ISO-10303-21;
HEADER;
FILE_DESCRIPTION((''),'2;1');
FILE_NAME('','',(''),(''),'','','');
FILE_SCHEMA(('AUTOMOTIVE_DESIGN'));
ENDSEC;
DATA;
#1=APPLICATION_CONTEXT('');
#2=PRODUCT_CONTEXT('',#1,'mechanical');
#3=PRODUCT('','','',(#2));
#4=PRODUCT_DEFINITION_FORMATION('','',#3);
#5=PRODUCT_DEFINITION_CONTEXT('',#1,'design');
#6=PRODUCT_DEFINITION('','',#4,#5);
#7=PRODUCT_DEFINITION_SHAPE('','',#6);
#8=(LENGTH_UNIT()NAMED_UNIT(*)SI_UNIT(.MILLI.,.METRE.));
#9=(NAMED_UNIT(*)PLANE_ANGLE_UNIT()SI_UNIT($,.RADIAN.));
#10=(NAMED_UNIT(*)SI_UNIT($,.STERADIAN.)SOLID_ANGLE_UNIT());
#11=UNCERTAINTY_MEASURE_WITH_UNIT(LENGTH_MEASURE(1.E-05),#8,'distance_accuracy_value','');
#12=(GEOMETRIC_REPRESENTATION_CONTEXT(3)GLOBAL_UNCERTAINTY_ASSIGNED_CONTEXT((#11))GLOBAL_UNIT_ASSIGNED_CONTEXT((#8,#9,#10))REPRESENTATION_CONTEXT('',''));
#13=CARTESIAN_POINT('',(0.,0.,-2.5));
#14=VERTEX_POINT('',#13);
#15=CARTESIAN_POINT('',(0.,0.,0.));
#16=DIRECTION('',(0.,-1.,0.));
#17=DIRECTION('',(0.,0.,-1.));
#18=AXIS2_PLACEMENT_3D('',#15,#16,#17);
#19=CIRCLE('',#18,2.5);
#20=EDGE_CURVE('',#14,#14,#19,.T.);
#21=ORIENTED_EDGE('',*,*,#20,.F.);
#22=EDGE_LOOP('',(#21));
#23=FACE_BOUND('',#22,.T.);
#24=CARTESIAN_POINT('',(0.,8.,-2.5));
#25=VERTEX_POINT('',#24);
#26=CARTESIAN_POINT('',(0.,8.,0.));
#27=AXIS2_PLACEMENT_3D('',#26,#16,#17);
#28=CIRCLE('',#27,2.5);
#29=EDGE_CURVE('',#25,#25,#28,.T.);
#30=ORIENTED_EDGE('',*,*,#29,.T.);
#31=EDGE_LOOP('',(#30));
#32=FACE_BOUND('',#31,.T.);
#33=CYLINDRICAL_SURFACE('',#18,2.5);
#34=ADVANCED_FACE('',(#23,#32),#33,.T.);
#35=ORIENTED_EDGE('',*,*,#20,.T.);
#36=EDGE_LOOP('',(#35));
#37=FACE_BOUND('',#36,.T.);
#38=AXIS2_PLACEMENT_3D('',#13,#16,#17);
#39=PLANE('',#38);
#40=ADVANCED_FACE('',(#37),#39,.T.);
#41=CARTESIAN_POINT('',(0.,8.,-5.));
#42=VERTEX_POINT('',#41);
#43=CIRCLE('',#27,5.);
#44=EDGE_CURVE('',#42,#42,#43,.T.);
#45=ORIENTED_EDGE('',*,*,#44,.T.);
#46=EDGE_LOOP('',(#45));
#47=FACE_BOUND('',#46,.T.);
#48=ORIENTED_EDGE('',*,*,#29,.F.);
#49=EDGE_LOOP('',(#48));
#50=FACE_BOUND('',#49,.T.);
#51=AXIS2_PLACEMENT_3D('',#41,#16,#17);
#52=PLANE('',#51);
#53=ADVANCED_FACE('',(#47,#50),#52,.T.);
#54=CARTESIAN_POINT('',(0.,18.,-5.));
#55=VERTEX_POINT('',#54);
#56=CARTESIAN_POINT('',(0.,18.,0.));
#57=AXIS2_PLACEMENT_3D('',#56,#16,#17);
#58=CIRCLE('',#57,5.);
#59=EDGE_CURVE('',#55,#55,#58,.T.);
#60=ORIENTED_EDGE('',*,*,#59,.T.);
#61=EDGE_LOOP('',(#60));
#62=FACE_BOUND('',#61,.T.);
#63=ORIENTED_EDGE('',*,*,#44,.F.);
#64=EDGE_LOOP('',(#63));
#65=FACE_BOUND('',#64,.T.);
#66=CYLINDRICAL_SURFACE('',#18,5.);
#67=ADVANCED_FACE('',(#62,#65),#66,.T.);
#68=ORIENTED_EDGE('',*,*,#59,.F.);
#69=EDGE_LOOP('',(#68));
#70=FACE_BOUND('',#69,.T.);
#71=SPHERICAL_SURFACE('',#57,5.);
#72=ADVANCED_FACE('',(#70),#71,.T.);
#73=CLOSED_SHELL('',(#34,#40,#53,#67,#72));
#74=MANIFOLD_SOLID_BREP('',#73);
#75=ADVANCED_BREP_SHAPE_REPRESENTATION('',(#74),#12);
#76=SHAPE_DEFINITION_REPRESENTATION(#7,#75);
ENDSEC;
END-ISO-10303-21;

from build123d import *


with BuildPart() as part:
    # 草图1 → 旋转1 (revolve)
    with BuildSketch(Plane(origin=(0, 0, 0), x_dir=(0, 0, -1), z_dir=(1, 0, 0))):
        with BuildLine():
            Line((5, 18), (5, 8))
            Line((5, 8), (2.5, 8))
            Line((2.5, 8), (2.5, 0))
            Line((2.5, 0), (0, 0))
            Line((0, 0), (0, 23))
            ThreePointArc((0, 23), (3.535533906, 21.535533906), (5, 18))
        make_face()
    revolve(axis=Axis((0, 0, 0), (0, 1, 0)))


solid = part.part
